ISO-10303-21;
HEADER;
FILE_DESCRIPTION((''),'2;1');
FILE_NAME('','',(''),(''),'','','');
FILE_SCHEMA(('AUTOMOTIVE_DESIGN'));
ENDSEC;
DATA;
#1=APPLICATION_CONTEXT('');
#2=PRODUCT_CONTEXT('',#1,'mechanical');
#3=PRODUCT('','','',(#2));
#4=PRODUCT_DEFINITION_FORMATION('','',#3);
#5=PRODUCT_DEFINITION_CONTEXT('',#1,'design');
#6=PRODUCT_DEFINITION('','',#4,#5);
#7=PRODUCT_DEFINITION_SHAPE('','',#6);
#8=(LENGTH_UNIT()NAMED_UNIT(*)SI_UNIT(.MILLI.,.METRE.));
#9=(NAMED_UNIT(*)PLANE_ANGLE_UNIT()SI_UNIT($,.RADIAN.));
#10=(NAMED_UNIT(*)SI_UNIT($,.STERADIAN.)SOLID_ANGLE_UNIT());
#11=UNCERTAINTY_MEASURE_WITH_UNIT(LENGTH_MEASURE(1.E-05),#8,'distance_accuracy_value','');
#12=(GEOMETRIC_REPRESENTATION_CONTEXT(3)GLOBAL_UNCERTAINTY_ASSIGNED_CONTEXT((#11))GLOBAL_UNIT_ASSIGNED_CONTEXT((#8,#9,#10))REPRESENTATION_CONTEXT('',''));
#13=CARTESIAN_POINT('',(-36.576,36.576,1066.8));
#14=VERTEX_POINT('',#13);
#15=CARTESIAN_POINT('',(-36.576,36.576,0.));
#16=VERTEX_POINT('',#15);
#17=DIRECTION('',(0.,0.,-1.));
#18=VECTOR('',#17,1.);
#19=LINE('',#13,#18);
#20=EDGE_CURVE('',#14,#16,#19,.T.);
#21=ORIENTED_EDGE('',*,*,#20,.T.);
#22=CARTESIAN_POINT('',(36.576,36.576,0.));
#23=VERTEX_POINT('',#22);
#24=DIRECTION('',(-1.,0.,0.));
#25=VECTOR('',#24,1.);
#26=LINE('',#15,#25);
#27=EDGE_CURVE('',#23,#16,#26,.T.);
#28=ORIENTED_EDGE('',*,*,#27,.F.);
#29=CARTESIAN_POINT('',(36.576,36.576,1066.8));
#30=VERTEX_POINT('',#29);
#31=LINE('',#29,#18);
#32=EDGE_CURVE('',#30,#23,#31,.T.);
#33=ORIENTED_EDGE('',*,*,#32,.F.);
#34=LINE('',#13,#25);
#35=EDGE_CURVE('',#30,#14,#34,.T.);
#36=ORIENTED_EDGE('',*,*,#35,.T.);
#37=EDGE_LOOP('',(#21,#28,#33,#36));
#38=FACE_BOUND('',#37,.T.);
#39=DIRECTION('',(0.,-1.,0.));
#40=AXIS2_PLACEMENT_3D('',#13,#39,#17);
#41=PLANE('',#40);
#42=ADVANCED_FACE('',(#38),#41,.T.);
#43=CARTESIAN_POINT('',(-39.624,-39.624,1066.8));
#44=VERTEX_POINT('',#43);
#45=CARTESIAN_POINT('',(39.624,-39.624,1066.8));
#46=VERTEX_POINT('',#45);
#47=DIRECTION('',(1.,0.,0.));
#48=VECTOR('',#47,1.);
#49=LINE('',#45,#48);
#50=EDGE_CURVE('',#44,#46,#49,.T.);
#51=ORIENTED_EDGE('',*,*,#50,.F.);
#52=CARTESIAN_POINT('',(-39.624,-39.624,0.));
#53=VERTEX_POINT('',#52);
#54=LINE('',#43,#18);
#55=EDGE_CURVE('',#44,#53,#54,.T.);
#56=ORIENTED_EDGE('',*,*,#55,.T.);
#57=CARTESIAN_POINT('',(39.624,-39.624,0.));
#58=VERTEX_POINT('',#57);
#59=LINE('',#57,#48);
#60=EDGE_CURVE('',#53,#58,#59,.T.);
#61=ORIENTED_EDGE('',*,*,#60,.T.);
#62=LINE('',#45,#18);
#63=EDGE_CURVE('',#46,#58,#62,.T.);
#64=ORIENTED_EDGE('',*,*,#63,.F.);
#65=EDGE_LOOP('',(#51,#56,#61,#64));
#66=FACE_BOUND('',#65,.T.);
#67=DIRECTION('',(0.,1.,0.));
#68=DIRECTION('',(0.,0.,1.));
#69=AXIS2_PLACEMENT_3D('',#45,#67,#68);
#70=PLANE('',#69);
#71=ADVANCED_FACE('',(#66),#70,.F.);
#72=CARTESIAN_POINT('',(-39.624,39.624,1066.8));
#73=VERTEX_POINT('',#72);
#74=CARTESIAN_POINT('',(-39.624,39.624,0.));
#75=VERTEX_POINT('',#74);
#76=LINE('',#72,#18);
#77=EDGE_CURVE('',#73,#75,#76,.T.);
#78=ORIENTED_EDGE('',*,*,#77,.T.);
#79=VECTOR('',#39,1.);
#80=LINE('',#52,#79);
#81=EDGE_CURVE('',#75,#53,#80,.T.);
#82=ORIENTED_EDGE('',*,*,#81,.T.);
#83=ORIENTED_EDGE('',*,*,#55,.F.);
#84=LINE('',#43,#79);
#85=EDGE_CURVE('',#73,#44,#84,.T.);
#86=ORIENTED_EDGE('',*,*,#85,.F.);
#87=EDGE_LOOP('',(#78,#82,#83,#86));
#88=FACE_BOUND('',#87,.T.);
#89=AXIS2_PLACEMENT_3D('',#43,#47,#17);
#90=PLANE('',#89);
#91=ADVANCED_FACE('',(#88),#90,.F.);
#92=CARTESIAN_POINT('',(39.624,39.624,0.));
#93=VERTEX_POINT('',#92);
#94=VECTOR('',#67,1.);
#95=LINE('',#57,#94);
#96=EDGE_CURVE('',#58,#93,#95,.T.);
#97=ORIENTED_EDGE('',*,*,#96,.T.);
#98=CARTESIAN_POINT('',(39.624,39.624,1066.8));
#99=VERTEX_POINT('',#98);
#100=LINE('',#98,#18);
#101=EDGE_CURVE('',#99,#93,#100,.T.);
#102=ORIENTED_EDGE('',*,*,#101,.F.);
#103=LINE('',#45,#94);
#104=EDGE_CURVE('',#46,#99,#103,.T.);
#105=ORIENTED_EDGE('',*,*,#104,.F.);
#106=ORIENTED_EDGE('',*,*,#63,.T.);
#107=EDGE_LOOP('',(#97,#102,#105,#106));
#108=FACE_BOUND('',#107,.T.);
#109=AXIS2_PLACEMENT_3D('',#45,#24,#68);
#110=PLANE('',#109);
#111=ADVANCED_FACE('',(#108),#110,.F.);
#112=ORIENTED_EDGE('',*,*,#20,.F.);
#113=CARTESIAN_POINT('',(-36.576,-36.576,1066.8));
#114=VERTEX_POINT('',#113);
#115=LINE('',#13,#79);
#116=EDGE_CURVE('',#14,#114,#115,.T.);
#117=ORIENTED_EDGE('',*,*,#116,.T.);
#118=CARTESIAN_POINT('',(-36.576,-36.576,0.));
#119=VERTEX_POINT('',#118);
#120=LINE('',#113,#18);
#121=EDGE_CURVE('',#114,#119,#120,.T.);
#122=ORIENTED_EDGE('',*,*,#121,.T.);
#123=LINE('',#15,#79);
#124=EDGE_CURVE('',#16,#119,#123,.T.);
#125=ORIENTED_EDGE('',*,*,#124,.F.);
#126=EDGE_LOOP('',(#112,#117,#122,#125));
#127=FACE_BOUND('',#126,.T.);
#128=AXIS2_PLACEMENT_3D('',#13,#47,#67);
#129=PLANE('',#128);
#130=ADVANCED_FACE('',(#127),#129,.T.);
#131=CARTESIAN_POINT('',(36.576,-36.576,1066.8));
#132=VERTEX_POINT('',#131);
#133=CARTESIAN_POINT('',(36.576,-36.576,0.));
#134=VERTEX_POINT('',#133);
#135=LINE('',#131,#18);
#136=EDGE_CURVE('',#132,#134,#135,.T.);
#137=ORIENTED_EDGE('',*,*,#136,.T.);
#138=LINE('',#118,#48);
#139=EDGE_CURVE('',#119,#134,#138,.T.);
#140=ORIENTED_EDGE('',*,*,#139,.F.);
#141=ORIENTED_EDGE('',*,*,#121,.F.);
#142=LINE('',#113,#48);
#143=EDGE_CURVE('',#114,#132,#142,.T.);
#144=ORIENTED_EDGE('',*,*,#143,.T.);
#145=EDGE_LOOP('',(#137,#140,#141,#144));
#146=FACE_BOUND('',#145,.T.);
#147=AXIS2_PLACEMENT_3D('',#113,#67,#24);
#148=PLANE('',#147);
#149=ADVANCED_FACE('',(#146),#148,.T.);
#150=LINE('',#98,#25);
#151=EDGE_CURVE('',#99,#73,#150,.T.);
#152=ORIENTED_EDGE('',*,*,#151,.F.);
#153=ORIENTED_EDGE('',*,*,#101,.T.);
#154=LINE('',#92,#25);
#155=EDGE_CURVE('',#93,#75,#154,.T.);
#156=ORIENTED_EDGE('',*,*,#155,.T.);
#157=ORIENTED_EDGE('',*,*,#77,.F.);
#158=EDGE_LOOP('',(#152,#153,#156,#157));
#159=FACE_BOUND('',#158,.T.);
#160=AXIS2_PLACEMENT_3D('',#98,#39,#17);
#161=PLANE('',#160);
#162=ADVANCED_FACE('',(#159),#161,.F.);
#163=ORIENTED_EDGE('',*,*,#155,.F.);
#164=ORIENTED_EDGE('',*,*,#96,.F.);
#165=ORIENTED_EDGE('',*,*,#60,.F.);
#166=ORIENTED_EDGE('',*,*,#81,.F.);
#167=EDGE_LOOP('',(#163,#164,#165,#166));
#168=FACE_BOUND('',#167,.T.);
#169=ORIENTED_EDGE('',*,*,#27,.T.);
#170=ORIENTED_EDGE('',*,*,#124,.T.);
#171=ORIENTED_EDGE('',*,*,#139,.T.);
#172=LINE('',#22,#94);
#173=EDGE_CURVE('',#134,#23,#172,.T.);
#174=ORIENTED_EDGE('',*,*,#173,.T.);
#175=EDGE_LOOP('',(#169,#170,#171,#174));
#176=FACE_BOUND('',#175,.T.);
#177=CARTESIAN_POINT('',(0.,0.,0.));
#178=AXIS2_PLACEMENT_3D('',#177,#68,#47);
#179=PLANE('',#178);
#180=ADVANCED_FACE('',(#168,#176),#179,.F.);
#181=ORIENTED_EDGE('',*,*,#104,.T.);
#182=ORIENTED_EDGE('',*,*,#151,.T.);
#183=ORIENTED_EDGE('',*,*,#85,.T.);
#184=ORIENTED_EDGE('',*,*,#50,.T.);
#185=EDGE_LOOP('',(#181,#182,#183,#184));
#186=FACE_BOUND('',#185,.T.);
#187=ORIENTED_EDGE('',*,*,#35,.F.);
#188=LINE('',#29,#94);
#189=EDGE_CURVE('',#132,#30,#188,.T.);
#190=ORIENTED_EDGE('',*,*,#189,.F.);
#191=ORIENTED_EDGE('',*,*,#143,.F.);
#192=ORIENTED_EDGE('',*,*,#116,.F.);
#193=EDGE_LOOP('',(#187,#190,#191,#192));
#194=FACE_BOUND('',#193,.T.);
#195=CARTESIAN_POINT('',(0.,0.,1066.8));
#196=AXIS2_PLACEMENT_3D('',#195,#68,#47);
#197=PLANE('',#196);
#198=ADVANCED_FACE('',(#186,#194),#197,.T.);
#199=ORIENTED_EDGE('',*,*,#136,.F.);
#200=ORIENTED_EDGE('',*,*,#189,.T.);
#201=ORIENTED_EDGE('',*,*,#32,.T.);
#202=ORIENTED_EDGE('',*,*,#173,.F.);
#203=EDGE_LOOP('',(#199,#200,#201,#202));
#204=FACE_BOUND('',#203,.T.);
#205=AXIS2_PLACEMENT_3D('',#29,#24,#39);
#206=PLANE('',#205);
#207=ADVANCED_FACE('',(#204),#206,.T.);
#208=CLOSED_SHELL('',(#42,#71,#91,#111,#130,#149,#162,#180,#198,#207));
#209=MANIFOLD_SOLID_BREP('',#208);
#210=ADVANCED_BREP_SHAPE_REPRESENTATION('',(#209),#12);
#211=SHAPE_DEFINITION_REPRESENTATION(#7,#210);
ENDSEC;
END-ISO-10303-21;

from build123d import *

# Parameters (mm, degrees)
SKETCH1_W           = 79.248
SKETCH1_H           = 79.248
SKETCH1_W_2         = 73.152
SKETCH1_H_2         = 73.152
BOSS_EXTRUDE1_DEPTH = 1066.8


with BuildPart() as part:
    # Sketch1 → Boss-Extrude1 (new body)
    with BuildSketch(Plane.XY):
        Rectangle(SKETCH1_W, SKETCH1_H)
        Rectangle(SKETCH1_W_2, SKETCH1_H_2, mode=Mode.SUBTRACT)
    extrude(amount=BOSS_EXTRUDE1_DEPTH)


solid = part.part
